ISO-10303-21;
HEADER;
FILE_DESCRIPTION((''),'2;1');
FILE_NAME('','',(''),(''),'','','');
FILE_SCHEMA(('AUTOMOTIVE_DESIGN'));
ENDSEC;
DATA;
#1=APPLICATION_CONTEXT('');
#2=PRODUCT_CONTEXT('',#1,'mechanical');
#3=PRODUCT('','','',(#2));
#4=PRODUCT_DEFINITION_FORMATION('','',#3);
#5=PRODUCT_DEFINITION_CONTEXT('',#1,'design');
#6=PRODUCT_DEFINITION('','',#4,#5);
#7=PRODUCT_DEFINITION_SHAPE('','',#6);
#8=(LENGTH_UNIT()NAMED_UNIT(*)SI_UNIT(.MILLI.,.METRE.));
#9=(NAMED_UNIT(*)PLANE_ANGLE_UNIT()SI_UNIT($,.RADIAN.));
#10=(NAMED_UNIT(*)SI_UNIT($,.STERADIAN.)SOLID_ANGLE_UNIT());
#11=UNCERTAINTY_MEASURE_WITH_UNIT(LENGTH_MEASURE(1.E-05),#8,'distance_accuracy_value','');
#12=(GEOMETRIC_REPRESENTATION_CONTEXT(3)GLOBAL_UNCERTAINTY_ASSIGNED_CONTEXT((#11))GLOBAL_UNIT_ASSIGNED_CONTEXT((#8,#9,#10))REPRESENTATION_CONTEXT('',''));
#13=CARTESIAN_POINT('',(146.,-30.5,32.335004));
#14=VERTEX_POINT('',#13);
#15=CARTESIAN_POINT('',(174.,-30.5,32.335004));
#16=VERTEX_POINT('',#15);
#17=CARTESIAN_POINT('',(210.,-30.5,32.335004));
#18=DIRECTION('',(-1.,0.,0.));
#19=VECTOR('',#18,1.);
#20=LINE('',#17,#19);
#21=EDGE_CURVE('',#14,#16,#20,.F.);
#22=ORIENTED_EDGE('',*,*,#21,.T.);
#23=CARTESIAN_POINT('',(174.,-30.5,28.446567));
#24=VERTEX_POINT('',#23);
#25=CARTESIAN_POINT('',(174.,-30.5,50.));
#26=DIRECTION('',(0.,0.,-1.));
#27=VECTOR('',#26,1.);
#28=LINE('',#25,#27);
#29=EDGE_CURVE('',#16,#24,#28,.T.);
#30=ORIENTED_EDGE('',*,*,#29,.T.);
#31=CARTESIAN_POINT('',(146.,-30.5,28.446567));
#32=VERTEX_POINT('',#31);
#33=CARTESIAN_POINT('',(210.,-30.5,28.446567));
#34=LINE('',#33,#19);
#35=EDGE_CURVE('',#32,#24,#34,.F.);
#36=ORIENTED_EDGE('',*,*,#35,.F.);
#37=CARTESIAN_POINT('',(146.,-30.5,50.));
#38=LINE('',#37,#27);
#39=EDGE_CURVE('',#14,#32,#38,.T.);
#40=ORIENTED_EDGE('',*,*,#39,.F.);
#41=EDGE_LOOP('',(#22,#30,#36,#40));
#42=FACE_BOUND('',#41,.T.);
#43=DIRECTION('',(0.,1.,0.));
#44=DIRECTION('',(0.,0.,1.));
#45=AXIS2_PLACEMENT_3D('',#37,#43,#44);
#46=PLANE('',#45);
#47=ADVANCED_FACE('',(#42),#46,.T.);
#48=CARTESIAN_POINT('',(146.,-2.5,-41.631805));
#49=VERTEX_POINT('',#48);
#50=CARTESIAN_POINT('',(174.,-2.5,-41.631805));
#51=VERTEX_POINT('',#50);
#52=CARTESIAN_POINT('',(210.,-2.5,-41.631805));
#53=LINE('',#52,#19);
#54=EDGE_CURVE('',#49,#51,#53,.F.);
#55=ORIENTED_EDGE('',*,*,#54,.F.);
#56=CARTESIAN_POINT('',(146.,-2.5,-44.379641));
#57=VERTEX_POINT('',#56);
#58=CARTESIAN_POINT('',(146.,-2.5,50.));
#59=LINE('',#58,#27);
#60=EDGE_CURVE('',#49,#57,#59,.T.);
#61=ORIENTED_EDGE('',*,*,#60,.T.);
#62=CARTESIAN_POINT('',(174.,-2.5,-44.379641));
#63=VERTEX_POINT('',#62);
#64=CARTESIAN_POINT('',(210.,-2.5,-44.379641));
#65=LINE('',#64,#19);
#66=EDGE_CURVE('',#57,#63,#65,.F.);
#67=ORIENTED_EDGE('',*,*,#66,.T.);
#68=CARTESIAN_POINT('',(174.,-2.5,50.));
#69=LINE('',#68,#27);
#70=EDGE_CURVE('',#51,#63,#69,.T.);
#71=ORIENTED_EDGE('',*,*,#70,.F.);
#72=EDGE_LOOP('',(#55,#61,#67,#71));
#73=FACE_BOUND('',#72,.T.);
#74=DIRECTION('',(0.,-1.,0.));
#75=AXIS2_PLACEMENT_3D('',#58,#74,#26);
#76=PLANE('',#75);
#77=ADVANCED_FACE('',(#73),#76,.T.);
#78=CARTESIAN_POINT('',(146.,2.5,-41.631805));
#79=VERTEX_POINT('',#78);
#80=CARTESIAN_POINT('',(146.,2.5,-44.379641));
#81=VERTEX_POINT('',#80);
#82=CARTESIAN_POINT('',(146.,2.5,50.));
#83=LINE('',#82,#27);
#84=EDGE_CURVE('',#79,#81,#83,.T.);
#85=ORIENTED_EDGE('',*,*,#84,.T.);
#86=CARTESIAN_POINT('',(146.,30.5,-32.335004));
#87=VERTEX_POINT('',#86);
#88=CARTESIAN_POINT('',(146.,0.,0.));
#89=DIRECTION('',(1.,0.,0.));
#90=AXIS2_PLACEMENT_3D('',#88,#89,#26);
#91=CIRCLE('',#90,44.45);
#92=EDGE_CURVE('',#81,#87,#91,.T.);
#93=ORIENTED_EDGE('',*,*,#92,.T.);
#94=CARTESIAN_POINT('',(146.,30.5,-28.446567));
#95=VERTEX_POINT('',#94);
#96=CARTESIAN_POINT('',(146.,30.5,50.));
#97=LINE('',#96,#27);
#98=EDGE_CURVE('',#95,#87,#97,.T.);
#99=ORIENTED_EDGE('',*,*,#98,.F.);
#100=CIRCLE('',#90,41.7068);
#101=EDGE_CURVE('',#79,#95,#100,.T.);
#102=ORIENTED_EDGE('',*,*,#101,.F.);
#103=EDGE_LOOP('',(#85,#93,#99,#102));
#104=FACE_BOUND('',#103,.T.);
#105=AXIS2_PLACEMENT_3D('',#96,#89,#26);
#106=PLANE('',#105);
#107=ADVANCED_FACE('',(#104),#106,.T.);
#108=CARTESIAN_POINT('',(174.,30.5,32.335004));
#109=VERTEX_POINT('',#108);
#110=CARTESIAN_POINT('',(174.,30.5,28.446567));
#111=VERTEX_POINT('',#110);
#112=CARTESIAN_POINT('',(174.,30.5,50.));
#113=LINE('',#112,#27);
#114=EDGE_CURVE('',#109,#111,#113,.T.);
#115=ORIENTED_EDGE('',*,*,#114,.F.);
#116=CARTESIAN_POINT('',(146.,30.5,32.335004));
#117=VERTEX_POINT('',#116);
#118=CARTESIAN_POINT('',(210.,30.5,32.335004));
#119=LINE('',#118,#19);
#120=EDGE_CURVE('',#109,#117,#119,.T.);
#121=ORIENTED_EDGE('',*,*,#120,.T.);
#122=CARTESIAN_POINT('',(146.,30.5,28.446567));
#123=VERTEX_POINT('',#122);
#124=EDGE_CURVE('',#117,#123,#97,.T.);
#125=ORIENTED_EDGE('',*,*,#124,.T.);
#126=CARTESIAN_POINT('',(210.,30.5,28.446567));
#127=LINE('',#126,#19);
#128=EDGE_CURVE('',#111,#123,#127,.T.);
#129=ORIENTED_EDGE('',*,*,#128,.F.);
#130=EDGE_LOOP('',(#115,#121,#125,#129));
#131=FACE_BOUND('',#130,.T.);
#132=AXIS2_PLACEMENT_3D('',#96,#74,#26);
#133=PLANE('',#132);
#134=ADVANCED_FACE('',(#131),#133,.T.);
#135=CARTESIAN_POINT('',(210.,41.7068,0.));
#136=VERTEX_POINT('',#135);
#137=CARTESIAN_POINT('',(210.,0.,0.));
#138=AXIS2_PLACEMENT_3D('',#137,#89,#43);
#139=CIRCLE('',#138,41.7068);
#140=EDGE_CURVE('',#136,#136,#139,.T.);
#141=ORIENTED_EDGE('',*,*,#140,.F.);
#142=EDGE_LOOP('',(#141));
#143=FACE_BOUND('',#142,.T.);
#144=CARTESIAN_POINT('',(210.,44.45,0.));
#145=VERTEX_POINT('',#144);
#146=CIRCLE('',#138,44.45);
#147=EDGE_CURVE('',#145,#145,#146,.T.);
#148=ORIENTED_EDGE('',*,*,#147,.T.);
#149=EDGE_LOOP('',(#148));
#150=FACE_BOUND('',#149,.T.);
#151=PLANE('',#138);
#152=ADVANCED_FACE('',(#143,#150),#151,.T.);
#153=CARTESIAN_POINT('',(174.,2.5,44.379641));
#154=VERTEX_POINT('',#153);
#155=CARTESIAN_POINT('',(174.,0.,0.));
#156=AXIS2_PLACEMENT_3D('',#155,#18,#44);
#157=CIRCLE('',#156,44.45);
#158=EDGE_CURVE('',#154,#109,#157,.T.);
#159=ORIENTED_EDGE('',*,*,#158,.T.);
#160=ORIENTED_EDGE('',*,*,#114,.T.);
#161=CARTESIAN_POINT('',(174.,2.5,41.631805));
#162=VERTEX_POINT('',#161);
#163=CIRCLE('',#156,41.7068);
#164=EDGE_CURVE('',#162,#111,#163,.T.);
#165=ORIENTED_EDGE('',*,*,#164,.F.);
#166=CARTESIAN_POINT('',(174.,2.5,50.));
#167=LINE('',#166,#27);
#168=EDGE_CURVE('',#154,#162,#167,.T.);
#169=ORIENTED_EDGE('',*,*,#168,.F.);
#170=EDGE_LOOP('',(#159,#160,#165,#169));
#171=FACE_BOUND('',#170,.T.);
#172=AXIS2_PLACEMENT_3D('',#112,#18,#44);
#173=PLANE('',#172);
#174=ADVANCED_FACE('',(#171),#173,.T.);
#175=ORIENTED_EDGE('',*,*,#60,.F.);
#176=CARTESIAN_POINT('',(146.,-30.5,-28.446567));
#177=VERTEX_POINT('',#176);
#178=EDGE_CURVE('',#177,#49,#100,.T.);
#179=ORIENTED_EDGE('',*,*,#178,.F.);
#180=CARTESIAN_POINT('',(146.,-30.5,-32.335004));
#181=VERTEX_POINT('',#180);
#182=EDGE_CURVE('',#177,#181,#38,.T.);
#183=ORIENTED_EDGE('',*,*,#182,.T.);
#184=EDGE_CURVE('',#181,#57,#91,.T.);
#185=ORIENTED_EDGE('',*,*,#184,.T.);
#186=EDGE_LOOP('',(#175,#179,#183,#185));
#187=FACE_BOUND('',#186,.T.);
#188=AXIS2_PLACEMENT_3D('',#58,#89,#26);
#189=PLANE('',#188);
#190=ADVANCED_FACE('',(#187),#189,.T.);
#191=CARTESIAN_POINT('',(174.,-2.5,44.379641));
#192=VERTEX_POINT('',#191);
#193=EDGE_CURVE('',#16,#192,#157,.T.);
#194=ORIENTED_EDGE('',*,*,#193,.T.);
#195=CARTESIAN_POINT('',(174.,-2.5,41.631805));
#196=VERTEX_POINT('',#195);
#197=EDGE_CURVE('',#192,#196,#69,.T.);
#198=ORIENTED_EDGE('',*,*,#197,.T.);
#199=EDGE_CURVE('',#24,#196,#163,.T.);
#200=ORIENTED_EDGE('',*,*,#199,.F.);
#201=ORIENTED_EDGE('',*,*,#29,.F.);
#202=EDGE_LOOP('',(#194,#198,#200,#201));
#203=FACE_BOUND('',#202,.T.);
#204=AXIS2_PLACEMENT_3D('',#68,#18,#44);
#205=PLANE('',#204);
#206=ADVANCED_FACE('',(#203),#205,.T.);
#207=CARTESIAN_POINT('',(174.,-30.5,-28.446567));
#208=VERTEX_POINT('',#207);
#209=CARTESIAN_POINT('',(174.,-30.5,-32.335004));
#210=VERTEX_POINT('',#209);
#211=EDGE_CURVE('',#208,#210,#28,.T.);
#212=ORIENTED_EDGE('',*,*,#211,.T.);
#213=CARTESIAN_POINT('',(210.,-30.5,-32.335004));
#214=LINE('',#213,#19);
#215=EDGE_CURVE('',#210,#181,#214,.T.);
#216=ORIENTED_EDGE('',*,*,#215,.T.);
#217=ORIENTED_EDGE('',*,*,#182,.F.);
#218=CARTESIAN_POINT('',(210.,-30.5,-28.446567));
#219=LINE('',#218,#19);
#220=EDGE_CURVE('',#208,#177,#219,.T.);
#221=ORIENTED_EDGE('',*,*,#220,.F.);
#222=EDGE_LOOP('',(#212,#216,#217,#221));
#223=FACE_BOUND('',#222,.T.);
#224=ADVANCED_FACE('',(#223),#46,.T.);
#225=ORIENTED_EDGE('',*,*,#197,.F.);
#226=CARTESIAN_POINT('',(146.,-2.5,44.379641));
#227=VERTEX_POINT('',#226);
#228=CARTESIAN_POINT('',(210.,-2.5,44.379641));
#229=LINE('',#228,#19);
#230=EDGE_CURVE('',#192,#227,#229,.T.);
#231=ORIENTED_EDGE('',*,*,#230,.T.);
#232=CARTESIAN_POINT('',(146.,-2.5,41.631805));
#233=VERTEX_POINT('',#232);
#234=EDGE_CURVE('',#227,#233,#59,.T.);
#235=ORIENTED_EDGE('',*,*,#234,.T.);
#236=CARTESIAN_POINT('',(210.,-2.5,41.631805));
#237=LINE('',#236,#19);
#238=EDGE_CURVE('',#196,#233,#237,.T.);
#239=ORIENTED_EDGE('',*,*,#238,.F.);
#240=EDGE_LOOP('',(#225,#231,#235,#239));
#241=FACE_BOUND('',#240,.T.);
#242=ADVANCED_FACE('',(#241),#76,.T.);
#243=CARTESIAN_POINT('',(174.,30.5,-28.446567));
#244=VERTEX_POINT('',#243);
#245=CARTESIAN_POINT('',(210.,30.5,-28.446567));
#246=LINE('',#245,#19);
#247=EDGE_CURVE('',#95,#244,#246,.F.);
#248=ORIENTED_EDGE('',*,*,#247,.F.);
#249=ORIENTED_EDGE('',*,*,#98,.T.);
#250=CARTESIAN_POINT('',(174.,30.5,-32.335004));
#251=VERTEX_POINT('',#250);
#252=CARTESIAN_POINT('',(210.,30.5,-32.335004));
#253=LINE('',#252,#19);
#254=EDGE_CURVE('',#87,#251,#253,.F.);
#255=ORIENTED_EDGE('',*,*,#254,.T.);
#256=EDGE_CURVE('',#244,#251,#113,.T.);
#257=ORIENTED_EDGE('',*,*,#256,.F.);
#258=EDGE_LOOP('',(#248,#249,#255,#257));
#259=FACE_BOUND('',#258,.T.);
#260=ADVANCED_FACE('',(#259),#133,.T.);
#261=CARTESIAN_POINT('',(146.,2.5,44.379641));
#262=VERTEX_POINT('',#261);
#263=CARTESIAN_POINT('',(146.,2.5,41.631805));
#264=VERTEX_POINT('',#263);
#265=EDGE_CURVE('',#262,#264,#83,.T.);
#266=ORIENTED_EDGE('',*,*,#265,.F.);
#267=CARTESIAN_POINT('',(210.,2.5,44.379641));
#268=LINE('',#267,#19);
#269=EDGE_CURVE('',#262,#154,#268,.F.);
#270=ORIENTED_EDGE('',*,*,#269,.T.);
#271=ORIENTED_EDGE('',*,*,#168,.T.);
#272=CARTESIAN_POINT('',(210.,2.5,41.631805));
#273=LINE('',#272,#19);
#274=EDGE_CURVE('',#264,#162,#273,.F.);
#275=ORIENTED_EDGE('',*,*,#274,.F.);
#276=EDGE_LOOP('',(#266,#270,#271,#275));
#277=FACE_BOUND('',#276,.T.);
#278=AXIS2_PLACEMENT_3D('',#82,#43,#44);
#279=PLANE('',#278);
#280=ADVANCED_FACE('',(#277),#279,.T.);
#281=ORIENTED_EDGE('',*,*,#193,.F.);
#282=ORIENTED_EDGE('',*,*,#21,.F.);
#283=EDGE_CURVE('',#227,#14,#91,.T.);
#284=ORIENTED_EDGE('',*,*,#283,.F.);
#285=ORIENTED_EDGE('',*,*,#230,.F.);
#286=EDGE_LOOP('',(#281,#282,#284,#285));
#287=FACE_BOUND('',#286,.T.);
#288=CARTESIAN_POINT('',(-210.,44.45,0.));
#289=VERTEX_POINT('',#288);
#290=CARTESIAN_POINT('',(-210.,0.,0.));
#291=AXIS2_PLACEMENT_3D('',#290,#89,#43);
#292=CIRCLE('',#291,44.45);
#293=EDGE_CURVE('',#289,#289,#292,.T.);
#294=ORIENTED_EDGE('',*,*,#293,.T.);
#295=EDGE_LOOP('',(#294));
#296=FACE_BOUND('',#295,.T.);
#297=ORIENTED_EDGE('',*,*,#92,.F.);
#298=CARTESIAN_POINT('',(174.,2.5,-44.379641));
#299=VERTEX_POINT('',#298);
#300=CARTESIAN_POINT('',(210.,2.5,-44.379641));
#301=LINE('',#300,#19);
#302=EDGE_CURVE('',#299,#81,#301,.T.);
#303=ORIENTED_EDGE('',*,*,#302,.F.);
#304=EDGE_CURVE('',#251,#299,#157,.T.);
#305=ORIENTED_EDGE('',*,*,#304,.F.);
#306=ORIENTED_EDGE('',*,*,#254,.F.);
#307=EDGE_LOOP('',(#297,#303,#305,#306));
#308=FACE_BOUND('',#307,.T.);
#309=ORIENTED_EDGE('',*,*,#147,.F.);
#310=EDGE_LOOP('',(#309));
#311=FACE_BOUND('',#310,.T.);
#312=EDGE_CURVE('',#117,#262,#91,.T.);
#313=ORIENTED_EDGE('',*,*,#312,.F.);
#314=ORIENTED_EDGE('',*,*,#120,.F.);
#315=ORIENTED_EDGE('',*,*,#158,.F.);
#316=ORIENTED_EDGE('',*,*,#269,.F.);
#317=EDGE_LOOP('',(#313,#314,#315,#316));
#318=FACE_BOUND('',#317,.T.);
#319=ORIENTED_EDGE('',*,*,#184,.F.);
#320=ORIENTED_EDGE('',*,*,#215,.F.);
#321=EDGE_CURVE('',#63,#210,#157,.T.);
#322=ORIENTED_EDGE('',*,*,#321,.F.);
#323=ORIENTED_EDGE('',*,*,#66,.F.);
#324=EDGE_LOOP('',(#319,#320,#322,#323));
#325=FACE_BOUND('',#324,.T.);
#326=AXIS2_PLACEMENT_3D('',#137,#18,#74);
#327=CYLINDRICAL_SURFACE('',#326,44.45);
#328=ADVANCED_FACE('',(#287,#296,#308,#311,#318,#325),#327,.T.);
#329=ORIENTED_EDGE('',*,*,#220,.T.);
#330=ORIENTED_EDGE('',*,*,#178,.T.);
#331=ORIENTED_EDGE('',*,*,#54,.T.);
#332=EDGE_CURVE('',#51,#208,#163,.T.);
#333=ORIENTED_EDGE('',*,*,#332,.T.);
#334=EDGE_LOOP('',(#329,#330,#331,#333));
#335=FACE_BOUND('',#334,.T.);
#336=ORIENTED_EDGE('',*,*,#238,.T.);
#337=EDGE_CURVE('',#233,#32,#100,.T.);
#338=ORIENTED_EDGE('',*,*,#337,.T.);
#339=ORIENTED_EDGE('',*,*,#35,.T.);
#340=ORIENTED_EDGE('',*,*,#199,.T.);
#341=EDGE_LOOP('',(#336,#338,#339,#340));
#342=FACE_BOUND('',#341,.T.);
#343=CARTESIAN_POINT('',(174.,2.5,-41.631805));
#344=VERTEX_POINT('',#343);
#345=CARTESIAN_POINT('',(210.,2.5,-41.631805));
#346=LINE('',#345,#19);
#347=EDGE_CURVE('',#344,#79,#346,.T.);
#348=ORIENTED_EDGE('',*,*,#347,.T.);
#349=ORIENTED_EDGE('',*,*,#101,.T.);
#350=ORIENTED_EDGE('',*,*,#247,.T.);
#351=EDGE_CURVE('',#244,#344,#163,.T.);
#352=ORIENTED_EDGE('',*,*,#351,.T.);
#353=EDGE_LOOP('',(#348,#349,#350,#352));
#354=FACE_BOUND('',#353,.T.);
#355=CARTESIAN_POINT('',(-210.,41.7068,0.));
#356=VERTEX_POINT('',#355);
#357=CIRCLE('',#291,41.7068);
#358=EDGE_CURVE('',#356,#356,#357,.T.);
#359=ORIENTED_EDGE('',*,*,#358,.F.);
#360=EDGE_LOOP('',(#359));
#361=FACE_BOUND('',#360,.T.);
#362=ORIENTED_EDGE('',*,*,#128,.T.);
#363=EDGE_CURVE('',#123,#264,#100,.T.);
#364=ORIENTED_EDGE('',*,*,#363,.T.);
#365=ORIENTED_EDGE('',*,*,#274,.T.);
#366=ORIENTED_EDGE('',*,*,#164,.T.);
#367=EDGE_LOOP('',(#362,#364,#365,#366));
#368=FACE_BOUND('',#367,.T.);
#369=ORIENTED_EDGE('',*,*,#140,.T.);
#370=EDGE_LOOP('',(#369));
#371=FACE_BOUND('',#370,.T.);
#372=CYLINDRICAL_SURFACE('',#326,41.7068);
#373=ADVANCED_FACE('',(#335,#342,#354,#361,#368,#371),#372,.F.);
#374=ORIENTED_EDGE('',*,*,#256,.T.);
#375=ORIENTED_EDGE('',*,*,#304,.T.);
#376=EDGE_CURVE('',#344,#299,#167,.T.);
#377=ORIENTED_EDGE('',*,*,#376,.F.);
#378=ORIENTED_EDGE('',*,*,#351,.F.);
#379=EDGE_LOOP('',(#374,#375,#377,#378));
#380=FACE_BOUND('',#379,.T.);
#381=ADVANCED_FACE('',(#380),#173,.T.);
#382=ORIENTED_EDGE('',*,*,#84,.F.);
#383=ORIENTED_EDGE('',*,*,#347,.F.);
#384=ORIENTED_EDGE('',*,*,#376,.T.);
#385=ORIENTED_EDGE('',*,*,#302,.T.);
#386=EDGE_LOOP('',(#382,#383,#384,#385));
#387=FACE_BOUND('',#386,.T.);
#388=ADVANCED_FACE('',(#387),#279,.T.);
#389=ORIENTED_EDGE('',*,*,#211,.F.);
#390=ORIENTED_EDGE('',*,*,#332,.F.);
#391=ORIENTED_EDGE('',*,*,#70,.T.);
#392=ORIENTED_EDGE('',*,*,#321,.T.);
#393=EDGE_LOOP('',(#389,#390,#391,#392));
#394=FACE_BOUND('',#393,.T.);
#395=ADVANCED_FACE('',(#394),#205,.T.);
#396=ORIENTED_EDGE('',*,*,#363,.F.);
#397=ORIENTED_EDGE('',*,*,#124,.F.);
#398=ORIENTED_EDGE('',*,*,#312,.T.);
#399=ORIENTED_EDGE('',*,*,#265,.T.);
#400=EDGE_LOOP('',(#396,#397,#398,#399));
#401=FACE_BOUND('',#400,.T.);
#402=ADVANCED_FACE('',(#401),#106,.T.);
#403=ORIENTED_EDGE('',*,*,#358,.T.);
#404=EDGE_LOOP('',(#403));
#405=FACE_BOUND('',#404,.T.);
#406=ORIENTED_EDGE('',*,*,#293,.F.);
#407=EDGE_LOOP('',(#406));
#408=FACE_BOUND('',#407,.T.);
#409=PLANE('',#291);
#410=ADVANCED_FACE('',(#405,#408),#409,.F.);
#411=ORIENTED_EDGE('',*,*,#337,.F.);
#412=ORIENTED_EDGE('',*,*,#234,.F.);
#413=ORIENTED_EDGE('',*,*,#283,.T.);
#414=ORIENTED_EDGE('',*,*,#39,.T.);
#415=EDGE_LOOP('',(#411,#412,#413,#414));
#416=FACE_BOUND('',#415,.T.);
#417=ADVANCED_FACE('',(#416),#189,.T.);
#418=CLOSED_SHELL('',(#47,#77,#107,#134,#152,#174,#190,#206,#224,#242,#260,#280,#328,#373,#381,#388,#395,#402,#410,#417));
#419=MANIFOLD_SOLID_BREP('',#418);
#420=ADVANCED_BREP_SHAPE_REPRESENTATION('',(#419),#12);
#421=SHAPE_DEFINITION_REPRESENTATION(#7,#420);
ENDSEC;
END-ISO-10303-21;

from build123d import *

# Parameters (mm, degrees)
SKETCH12_R              = 44.45
SKETCH12_R_2            = 41.7068
PIPE_0_5_SCH_40_1_DEPTH = 420
CUT_EXTRUDE1_DEPTH      = 50
CUT_EXTRUDE1_DEPTH_BACK = 50
SKETCH13_W              = 28
SKETCH13_H              = 28


with BuildPart() as part:
    # Sketch12 → Pipe 0.5 SCH 40(1) (new body)
    with BuildSketch(Plane.YZ.offset(-210)):
        Circle(SKETCH12_R)
        Circle(SKETCH12_R_2, mode=Mode.SUBTRACT)
    extrude(amount=PIPE_0_5_SCH_40_1_DEPTH)

    # Sketch13 → Cut-Extrude1 (cut, two sides: drawn at the far end of the back side and taken through both)
    with BuildSketch(Plane.XY.offset(-CUT_EXTRUDE1_DEPTH_BACK)):
        with Locations((160, 16.5)):
            Rectangle(SKETCH13_W, SKETCH13_H)
        with Locations((160, -16.5)):
            Rectangle(SKETCH13_W, SKETCH13_H)
    extrude(amount=CUT_EXTRUDE1_DEPTH + CUT_EXTRUDE1_DEPTH_BACK, mode=Mode.SUBTRACT)


solid = part.part
